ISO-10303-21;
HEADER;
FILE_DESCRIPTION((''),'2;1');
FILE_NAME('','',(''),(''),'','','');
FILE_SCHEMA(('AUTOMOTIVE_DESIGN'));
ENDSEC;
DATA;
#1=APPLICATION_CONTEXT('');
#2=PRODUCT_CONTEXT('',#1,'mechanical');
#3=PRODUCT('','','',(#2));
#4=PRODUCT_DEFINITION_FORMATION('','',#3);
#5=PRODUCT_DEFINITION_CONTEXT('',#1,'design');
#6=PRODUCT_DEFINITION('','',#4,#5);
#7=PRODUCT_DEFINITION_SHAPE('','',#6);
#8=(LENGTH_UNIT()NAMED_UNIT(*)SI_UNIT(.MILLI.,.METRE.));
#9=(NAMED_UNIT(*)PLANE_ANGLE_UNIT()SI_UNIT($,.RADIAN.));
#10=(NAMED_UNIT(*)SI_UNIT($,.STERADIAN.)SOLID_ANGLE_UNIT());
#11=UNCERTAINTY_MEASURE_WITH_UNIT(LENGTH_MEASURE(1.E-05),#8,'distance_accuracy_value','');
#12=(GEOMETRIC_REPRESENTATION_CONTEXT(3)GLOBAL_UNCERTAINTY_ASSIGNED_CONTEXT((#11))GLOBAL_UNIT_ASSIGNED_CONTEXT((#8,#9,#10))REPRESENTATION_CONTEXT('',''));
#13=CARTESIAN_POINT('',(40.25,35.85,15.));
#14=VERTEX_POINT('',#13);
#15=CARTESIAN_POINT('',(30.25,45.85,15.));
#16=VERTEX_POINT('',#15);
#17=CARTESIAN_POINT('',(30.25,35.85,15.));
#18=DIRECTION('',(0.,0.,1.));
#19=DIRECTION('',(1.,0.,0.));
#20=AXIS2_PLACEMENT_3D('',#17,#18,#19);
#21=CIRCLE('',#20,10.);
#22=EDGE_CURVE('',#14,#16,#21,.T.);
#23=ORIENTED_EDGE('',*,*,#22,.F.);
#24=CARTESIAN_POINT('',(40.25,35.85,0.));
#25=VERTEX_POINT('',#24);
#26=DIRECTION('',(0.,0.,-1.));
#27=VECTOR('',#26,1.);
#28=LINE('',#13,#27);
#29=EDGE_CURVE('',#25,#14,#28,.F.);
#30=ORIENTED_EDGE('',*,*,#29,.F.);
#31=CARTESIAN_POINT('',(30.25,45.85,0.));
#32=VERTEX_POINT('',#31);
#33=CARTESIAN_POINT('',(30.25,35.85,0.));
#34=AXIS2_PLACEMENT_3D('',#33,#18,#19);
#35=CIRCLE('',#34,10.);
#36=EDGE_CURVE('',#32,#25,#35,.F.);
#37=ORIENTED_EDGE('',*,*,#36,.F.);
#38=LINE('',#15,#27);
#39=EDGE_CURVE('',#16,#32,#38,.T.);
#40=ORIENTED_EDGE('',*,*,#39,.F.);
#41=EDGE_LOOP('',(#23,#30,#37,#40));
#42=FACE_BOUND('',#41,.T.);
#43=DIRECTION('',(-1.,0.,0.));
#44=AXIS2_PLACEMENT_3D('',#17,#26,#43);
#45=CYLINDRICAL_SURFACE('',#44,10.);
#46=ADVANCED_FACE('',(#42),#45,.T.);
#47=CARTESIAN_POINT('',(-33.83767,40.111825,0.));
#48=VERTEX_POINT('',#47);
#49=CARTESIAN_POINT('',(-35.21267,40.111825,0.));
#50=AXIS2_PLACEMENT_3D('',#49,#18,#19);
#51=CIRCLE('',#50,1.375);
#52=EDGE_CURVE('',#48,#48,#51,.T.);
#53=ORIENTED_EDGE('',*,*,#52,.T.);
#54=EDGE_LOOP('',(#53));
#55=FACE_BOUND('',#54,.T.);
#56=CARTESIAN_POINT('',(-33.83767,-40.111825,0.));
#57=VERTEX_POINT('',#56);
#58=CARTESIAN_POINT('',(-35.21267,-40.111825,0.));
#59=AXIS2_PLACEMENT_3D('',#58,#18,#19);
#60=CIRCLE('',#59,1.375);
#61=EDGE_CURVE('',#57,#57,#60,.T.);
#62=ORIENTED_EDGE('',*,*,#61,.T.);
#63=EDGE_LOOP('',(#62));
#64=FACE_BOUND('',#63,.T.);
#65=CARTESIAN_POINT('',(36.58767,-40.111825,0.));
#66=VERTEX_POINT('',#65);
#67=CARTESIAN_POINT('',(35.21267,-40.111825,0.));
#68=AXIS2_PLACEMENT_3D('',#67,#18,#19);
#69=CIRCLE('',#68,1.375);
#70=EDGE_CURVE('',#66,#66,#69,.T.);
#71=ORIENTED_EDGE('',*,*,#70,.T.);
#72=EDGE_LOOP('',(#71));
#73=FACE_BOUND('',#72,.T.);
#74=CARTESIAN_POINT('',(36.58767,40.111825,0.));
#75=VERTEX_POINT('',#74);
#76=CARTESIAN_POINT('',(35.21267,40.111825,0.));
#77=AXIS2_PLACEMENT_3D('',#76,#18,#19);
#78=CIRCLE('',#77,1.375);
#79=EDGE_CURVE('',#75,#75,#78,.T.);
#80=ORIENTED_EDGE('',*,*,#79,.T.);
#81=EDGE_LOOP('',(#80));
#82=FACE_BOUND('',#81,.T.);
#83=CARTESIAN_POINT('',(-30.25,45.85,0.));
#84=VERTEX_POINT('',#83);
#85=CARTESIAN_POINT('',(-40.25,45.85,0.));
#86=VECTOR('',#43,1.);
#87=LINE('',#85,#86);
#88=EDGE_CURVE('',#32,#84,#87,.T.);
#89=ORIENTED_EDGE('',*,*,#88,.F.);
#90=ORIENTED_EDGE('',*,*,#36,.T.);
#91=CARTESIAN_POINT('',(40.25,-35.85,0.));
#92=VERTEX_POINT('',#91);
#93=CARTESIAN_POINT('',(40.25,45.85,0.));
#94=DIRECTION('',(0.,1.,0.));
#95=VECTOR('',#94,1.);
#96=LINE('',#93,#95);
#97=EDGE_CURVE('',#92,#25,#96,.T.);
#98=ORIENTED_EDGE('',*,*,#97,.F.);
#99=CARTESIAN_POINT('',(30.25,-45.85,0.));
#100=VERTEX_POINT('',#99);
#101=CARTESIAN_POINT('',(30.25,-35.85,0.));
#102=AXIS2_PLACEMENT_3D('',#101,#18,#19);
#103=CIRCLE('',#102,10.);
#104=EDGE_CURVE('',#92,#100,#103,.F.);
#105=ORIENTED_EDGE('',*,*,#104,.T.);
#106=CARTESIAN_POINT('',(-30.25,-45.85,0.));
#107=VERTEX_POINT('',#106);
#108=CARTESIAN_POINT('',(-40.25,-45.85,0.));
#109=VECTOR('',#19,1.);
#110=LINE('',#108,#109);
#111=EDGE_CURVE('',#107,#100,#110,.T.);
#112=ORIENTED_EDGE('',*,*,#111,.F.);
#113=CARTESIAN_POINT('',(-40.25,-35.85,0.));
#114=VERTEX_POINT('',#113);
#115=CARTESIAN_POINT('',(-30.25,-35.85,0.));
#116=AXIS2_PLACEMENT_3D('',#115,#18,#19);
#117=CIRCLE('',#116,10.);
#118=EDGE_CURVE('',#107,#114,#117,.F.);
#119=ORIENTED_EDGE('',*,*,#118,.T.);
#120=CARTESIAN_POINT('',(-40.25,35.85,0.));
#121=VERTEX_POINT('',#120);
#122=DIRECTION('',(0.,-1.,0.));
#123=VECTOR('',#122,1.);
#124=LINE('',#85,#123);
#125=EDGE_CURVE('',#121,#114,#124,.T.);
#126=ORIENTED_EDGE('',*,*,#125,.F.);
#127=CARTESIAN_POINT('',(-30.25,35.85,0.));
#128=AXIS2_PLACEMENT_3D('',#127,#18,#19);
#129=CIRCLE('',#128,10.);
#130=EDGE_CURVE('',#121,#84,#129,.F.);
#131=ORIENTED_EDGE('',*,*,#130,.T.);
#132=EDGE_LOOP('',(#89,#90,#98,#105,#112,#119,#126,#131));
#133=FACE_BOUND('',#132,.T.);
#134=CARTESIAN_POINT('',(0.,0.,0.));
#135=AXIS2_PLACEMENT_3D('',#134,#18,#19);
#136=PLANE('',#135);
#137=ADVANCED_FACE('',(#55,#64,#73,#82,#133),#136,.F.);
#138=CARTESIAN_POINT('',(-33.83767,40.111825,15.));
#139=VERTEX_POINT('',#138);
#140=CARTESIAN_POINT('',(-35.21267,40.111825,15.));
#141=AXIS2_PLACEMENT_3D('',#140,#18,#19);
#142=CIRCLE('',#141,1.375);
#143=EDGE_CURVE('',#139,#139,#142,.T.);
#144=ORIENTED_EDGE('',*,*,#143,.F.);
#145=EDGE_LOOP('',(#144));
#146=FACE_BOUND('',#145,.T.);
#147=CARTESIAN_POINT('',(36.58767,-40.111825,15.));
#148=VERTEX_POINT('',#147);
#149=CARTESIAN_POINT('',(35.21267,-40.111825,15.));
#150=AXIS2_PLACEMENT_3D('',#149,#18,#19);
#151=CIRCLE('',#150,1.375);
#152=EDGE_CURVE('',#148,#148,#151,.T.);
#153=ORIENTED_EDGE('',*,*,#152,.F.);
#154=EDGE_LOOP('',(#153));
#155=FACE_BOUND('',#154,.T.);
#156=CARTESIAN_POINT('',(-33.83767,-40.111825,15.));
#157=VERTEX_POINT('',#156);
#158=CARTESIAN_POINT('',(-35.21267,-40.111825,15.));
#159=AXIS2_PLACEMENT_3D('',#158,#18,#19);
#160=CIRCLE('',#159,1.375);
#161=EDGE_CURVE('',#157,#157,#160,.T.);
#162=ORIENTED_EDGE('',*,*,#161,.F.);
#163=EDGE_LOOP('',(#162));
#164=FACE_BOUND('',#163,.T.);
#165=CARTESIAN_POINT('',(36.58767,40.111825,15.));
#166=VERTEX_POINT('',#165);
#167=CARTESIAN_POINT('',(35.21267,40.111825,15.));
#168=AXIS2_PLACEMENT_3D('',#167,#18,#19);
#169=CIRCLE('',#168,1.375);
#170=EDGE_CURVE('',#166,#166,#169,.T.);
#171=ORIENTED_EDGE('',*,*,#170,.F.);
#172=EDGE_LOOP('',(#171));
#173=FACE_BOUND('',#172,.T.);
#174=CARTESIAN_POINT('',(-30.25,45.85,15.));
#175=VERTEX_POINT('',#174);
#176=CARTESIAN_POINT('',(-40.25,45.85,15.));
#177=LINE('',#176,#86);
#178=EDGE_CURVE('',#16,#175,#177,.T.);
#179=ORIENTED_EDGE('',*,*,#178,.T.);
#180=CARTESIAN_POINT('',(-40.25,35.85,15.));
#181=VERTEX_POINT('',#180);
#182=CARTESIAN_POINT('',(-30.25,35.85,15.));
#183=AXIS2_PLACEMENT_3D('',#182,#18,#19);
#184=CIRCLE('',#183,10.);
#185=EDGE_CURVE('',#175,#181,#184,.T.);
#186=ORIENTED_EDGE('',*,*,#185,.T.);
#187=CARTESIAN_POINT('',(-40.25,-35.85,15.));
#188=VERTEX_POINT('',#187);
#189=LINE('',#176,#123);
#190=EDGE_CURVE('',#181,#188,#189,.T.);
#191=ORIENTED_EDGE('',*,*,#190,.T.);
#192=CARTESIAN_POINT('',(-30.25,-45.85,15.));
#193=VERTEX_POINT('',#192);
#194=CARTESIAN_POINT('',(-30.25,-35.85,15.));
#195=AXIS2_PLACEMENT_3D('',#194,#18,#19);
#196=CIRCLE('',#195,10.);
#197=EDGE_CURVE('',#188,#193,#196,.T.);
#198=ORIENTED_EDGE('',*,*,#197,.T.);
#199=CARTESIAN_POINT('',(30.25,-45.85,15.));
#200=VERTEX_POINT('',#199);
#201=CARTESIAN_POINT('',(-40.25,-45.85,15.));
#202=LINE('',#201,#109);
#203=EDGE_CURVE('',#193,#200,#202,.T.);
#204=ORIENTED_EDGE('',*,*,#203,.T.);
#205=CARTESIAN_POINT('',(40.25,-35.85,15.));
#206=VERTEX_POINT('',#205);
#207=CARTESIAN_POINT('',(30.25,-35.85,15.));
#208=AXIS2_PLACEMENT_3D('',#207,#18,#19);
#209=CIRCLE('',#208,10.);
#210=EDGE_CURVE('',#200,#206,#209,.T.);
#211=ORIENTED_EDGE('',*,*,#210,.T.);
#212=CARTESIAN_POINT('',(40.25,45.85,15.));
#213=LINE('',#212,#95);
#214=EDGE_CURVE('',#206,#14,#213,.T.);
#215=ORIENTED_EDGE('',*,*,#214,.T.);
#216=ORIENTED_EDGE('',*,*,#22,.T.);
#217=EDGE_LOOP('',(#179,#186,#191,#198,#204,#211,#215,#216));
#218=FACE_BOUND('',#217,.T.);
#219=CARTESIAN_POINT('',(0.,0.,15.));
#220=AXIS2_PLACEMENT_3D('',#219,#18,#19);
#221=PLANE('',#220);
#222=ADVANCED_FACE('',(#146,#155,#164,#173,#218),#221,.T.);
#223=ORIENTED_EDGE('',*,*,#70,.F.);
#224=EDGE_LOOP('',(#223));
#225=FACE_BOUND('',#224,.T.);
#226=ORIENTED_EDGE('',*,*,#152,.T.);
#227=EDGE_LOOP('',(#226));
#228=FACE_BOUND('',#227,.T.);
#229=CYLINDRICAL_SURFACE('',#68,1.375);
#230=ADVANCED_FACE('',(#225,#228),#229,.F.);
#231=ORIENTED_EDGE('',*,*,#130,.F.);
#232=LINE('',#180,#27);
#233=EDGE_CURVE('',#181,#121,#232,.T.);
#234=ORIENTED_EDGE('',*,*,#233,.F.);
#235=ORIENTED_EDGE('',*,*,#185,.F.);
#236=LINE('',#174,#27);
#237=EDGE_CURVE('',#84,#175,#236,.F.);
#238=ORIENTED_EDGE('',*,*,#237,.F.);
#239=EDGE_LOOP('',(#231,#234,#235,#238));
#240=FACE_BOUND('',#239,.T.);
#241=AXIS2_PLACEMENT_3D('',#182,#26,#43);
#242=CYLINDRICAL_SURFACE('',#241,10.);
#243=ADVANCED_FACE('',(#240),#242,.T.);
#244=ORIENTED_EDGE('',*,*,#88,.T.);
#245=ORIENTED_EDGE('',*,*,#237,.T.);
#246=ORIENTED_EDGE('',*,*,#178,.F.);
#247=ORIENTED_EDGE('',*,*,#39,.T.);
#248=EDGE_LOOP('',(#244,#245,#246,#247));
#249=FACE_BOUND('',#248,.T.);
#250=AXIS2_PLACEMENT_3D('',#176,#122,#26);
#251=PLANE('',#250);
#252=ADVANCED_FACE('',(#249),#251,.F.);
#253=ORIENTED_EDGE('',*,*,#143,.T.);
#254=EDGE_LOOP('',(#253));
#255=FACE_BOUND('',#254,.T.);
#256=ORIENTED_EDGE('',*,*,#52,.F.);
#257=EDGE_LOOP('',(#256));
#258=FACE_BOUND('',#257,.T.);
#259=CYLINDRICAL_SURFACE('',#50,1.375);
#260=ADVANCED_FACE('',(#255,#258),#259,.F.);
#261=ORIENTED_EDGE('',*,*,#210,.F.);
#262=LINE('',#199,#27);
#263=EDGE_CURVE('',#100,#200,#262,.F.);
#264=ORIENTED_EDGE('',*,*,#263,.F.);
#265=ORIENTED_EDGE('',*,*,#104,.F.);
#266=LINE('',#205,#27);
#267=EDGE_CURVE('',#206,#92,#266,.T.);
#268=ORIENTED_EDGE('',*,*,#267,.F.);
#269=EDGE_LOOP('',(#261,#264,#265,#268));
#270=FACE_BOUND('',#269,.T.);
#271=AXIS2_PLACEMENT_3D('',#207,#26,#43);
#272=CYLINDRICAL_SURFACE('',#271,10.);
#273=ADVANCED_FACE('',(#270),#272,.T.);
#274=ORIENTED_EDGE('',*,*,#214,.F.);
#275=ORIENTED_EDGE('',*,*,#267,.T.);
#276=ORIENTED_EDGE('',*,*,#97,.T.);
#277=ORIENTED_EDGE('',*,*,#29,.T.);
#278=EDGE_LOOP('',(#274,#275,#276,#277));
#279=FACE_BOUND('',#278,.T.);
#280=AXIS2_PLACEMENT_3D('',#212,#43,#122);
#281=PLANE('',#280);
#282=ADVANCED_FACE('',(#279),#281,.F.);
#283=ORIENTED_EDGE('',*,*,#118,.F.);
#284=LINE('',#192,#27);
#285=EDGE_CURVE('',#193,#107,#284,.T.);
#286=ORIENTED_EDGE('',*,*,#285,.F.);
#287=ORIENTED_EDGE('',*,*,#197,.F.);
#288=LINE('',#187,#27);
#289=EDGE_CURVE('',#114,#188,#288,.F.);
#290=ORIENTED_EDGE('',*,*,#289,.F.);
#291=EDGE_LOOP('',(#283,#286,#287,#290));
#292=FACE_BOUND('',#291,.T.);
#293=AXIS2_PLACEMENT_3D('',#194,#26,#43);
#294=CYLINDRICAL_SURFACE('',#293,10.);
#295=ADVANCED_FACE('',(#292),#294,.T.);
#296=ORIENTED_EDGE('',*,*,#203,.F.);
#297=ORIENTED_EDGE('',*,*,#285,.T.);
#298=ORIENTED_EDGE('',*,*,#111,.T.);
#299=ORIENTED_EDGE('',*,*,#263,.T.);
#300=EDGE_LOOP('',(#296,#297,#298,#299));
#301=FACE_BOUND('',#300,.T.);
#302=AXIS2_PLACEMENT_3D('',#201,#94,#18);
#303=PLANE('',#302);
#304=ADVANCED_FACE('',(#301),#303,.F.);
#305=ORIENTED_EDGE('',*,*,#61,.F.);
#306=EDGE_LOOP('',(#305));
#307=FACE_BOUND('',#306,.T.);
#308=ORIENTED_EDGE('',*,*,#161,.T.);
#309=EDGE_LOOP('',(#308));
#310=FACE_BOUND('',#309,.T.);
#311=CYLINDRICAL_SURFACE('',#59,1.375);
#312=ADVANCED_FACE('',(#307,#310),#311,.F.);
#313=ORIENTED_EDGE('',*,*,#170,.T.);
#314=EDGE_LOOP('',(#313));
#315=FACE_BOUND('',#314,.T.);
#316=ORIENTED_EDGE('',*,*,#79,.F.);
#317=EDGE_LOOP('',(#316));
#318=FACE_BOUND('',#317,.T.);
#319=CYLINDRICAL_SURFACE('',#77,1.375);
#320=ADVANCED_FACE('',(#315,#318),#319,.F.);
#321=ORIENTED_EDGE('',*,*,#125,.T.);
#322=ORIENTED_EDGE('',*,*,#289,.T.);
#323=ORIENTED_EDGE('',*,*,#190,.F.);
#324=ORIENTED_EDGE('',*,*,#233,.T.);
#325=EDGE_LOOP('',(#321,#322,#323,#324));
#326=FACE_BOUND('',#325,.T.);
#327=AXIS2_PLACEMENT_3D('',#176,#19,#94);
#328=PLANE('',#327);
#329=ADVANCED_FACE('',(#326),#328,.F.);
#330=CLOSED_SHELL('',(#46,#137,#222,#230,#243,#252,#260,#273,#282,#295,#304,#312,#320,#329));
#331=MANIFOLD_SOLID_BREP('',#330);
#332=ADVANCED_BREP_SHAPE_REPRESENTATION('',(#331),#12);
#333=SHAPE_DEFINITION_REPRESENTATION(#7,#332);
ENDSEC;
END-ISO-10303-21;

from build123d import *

# Parameters (mm, degrees)
SKIZZE1_W                       = 80.5
SKIZZE1_H                       = 91.7
AUFSATZ_LINEAR_AUSTRAGEN1_DEPTH = 15
VERRUNDUNG1_R                   = 10
SKIZZE2_R                       = 1.375
SCHNITT_LINEAR_AUSTRAGEN1_DEPTH = 63.827422357


with BuildPart() as part:
    # Skizze1 → Aufsatz-Linear austragen1 (new body)
    with BuildSketch(Plane.XY):
        Rectangle(SKIZZE1_W, SKIZZE1_H)
    extrude(amount=AUFSATZ_LINEAR_AUSTRAGEN1_DEPTH)

    # Verrundung1
    verrundung1_edges = [part.edges().sort_by_distance(p)[0] for p in [
        (40.25, -45.85, 7.5),
        (-40.25, -45.85, 7.5),
        (-40.25, 45.85, 7.5),
        (40.25, 45.85, 7.5),
    ]]
    fillet(verrundung1_edges, radius=VERRUNDUNG1_R)

    # Skizze2 → Schnitt-Linear austragen1 (cut, through all)
    with BuildSketch(Plane.XY.offset(15)):
        with Locations((-35.212670401, 40.111824544)):
            Circle(SKIZZE2_R)
        with Locations((35.212670401, 40.111824544)):
            Circle(SKIZZE2_R)
        with Locations((35.212670401, -40.111824544)):
            Circle(SKIZZE2_R)
        with Locations((-35.212670401, -40.111824544)):
            Circle(SKIZZE2_R)
    extrude(amount=-SCHNITT_LINEAR_AUSTRAGEN1_DEPTH, mode=Mode.SUBTRACT)


solid = part.part
